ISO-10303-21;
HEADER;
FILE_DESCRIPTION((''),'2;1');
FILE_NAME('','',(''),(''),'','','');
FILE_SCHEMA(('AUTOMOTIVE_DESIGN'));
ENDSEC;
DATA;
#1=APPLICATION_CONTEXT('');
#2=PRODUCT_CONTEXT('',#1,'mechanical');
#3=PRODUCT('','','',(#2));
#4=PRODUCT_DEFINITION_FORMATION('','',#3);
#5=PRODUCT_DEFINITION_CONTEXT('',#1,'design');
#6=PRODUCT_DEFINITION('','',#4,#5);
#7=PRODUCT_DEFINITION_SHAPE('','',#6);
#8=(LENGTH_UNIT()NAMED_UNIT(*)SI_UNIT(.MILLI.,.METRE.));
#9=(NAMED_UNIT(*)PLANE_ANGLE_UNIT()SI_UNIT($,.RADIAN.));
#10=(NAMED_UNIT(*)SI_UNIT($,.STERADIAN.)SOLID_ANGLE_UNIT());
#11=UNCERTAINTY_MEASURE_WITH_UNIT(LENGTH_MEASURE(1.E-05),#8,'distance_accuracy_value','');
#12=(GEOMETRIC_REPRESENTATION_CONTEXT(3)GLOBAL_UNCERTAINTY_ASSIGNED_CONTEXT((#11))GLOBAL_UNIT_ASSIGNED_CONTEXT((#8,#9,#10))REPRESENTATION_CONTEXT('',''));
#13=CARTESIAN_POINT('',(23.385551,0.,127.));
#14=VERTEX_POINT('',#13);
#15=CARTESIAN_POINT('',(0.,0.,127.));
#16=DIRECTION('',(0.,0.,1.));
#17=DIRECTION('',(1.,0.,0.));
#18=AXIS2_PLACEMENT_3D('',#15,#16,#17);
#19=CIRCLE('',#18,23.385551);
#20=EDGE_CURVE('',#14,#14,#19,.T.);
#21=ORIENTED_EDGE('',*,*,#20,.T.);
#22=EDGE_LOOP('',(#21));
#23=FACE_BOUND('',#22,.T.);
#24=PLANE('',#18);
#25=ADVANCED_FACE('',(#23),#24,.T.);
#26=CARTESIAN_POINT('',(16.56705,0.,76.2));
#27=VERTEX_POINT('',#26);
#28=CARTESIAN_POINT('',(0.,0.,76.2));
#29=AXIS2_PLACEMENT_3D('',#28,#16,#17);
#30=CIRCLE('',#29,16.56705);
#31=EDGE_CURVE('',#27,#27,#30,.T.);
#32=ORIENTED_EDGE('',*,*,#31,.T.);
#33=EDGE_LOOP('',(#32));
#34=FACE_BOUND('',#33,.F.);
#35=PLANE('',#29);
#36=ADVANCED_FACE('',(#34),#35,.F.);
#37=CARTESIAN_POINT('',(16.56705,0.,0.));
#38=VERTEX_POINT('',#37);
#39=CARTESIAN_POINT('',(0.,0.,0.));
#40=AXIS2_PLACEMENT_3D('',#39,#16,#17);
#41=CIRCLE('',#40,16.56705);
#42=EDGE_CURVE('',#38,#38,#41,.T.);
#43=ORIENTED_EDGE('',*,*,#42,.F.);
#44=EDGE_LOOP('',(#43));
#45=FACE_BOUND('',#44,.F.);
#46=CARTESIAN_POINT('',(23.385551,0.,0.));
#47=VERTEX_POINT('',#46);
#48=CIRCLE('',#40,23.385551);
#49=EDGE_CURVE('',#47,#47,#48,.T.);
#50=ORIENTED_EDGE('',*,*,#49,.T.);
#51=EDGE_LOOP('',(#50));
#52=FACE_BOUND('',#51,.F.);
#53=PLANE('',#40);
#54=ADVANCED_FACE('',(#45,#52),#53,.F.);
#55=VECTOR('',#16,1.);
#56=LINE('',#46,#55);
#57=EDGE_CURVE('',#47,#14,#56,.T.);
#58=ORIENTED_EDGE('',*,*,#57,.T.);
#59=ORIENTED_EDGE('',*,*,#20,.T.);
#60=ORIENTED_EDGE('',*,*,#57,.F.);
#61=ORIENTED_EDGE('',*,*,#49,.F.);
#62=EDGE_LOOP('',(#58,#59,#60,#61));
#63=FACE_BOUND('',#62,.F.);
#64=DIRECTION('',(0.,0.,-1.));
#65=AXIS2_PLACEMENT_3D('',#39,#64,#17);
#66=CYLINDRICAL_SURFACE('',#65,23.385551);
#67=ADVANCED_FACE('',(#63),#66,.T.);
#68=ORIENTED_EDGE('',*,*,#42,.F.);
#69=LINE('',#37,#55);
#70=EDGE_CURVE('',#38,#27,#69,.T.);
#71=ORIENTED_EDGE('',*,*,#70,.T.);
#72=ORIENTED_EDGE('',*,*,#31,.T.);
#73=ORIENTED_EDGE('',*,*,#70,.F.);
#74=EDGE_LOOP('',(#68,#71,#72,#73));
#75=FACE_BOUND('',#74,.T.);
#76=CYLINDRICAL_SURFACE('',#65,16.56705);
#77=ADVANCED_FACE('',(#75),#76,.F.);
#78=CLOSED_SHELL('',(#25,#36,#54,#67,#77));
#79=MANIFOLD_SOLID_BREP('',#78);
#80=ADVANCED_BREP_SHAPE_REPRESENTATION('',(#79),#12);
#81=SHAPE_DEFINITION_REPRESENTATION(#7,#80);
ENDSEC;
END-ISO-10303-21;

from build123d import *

# Parameters (mm, degrees)
F0_R     = 23.385551
F1_DEPTH = 127
F2_R     = 16.56705
F3_DEPTH = 76.2


with BuildPart() as f1:
    # F0 (on Top) → F1 (new body)
    with BuildSketch(Plane.XY):
        Circle(F0_R)
    extrude(amount=F1_DEPTH)


with BuildPart() as f3:
    # F2 (on Top) → F3 (new body)
    with BuildSketch(Plane.XY):
        Circle(F2_R)
    extrude(amount=F3_DEPTH)


with BuildPart() as f1_1:
    add(f1.part)

    # F4: cut F3
    add(f3.part, mode=Mode.SUBTRACT)


solid = f1_1.part
